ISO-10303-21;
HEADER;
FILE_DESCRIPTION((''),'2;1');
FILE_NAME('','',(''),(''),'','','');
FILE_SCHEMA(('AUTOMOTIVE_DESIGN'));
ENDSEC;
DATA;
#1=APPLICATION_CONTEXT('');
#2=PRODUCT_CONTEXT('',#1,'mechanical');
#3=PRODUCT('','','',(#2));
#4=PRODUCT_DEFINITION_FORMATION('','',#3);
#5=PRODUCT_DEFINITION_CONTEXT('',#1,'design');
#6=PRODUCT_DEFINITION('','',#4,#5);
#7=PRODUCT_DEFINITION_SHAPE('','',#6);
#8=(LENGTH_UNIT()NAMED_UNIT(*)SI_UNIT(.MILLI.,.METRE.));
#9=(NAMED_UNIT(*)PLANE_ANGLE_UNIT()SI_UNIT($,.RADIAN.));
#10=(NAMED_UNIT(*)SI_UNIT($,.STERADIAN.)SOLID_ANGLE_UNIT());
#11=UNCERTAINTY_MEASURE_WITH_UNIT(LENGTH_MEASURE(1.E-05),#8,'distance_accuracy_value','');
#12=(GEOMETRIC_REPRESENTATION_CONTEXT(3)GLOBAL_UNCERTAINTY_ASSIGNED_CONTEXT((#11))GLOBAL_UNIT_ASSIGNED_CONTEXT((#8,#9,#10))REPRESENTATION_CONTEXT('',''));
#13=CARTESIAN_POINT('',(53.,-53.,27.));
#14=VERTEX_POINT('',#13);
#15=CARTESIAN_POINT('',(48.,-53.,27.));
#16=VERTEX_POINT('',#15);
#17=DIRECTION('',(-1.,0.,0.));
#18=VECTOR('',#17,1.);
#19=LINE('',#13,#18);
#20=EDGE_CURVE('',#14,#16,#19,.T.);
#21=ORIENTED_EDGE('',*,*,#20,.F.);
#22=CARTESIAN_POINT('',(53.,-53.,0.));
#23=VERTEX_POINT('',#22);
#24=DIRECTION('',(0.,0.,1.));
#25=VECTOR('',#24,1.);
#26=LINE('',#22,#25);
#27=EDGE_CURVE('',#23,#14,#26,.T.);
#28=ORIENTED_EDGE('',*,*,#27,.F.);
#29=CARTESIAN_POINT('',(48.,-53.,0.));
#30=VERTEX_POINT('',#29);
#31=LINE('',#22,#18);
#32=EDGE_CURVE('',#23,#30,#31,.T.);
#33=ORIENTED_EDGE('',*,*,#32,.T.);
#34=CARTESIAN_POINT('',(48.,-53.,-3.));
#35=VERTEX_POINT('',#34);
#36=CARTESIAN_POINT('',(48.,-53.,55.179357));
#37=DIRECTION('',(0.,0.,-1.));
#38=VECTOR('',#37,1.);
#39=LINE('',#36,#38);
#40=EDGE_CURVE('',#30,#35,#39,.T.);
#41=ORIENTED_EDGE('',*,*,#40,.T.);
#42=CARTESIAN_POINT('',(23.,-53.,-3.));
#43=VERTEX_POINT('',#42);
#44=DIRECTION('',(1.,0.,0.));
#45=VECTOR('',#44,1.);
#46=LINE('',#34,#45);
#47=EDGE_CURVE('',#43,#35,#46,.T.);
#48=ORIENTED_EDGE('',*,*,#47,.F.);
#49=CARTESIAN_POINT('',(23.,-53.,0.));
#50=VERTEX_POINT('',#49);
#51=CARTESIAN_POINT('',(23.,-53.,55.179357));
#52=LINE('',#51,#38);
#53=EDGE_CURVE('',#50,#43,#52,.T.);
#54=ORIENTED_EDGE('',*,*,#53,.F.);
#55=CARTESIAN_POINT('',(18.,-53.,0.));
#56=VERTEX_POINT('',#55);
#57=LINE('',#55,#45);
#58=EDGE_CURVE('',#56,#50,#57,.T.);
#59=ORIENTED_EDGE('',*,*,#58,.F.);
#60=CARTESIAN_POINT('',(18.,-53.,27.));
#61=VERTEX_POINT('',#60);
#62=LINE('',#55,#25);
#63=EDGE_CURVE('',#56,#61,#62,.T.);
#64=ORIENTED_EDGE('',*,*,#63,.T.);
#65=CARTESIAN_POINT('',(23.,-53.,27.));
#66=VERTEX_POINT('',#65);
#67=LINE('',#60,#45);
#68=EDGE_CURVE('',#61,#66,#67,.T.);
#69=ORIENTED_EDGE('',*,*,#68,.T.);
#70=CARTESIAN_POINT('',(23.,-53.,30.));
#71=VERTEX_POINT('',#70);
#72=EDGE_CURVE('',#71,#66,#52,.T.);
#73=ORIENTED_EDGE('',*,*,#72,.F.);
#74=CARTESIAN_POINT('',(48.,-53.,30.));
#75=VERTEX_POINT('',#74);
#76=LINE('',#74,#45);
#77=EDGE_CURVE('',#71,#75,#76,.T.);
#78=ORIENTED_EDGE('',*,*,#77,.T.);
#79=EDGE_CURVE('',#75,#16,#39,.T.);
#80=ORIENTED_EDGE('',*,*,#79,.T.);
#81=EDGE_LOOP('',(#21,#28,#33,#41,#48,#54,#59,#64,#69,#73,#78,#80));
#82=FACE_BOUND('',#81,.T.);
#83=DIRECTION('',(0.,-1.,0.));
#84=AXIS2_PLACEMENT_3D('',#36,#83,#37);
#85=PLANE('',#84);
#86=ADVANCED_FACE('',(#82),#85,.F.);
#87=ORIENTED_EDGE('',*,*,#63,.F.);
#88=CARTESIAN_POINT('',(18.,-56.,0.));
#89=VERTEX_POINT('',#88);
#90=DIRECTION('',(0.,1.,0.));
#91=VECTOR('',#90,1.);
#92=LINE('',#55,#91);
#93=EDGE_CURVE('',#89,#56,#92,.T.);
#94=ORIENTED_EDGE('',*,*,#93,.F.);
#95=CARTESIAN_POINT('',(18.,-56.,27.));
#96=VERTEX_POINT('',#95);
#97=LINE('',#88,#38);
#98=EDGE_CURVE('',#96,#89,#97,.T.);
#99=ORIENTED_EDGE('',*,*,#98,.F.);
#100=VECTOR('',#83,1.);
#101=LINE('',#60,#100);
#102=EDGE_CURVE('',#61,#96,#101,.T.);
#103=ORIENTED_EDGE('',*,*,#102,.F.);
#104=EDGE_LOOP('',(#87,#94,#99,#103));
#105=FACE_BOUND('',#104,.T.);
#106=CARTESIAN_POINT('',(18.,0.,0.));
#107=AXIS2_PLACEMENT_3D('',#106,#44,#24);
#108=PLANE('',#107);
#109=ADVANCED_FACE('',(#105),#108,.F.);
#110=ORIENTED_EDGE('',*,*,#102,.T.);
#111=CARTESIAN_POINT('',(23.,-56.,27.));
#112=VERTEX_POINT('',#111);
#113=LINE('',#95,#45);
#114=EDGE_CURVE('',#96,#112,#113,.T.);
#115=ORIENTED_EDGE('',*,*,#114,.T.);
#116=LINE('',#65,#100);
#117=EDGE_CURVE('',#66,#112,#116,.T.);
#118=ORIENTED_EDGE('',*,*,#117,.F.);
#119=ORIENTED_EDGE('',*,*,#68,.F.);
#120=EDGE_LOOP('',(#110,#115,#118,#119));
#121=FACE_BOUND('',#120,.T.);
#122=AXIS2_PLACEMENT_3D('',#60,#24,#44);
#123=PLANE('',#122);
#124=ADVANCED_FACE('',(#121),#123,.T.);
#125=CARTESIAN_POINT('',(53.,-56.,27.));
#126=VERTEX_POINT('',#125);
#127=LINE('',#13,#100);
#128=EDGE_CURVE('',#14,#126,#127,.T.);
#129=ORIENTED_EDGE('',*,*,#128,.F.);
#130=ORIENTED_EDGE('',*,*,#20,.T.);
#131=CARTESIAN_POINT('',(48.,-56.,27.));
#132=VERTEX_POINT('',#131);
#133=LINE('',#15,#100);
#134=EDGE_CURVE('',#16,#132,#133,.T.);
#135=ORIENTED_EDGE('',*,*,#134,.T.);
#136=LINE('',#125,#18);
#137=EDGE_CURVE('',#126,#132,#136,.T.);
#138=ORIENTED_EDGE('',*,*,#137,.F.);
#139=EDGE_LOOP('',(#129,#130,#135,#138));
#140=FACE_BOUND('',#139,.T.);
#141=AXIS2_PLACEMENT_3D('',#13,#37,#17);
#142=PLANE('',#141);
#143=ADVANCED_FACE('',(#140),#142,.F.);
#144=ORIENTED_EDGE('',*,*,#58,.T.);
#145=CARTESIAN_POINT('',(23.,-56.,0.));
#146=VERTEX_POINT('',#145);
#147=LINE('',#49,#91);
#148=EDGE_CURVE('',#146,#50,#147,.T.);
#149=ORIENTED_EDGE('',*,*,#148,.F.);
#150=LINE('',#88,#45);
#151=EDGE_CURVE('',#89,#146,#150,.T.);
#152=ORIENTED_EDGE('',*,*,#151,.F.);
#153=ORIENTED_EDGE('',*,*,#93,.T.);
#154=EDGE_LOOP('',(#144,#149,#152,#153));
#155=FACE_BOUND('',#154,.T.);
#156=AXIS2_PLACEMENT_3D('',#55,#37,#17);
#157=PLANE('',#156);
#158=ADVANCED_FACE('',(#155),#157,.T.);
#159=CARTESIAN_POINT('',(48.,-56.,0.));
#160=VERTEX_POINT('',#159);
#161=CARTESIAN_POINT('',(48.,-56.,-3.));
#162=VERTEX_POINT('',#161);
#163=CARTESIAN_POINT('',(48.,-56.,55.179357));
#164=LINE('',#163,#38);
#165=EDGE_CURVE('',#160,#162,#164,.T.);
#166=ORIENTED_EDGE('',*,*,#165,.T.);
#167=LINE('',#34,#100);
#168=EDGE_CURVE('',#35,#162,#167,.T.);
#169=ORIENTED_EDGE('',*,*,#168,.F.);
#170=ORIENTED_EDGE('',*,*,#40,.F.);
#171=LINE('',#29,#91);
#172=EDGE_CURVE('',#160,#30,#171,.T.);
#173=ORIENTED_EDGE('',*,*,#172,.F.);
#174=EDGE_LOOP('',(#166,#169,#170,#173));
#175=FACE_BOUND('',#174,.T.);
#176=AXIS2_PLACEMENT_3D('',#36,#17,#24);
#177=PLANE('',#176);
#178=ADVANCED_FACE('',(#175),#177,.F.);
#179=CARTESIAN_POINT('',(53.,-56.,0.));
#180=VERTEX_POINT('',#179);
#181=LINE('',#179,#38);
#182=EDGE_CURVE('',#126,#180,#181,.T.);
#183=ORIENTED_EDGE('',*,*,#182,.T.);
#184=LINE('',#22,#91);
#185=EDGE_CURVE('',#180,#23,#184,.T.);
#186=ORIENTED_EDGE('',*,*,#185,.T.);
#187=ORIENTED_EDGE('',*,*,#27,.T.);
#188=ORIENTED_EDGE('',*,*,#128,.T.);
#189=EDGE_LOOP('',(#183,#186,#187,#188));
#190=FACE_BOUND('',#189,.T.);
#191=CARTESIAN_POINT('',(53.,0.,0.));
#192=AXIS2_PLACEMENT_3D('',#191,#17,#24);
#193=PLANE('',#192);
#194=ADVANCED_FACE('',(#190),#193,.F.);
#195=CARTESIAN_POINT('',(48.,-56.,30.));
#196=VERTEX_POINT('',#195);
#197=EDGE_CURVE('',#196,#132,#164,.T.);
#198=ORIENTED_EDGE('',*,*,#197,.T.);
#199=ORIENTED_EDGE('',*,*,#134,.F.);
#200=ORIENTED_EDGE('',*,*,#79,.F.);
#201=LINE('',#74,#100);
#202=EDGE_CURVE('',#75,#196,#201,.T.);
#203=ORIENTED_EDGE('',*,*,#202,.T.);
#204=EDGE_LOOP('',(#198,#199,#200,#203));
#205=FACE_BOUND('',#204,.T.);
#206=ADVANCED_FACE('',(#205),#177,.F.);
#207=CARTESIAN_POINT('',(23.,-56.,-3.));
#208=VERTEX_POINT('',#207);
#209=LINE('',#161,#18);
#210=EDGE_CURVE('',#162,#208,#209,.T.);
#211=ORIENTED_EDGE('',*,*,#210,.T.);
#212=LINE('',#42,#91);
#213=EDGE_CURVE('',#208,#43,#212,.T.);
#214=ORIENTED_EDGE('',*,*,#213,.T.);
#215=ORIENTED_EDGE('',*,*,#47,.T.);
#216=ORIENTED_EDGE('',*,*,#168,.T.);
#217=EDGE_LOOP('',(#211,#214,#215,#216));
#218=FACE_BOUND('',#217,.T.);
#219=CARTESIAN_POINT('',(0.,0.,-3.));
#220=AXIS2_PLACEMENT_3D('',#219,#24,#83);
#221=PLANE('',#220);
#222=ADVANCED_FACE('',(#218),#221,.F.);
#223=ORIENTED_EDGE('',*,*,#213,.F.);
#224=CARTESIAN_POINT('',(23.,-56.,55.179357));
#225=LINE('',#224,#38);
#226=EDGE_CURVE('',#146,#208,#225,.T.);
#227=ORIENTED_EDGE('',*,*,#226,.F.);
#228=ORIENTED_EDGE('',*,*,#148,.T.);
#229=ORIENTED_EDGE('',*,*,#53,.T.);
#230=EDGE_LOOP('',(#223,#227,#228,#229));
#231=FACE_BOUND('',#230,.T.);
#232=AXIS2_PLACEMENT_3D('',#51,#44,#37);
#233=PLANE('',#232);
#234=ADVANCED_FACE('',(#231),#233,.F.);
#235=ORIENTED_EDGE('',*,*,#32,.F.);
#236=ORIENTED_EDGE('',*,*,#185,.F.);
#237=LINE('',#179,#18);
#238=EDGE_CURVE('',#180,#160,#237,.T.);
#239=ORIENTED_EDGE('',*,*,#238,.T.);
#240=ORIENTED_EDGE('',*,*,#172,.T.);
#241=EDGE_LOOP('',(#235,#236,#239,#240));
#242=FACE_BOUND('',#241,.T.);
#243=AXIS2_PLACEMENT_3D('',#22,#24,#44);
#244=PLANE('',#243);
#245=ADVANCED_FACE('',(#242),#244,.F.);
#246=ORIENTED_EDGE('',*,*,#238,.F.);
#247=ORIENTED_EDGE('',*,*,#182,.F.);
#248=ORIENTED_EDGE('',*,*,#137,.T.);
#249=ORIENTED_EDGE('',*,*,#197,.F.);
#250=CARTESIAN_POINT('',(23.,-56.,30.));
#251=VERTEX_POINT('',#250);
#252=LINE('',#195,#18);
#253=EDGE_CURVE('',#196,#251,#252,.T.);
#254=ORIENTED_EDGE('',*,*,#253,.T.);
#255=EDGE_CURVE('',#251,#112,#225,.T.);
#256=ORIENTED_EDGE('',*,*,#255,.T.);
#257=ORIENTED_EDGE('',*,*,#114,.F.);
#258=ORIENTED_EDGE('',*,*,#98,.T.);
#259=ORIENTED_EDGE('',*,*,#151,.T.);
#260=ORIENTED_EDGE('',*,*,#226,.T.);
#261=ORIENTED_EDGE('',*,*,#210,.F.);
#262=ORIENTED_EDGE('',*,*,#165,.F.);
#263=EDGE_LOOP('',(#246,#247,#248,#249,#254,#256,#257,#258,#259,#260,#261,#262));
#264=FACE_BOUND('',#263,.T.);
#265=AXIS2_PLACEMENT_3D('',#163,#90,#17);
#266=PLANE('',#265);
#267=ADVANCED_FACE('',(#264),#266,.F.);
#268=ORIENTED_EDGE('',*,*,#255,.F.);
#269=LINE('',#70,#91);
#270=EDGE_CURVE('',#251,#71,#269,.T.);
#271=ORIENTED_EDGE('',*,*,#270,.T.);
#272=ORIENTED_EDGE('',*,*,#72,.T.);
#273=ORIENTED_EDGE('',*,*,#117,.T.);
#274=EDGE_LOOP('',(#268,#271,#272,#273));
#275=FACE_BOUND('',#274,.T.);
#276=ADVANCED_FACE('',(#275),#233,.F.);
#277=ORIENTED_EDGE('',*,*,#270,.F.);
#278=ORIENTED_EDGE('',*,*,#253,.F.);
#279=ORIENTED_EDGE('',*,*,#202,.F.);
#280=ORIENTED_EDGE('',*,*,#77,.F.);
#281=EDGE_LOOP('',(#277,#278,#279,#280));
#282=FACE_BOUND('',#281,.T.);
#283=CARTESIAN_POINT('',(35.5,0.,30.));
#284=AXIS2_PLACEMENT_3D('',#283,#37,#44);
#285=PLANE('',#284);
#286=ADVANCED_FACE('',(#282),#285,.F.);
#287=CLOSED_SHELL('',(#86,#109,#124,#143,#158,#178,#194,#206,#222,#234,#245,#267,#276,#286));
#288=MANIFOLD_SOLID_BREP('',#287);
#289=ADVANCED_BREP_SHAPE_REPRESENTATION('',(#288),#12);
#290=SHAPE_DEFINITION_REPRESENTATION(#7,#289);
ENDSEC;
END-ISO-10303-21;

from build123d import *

# Parameters (mm, degrees)
ESTRUSIONE_ESTRUSIONE1_DEPTH      = 30
ESTRUSIONE_ESTRUSIONE1_DEPTH_BACK = 3
SCHIZZO1_W                        = 25
SCHIZZO1_H                        = 3
SCHIZZO2_W                        = 27
SCHIZZO2_H                        = 3
ESTRUSIONE_ESTRUSIONE2_DEPTH      = 5


with BuildPart() as part:
    # Schizzo1 → Estrusione-Estrusione1 (new, two sides: drawn at the far end of the back side and taken through both)
    with BuildSketch(Plane.XY.offset(-ESTRUSIONE_ESTRUSIONE1_DEPTH_BACK)):
        with Locations((35.5, -54.5)):
            Rectangle(SCHIZZO1_W, SCHIZZO1_H)
    extrude(amount=ESTRUSIONE_ESTRUSIONE1_DEPTH + ESTRUSIONE_ESTRUSIONE1_DEPTH_BACK)

    # Schizzo2 → Estrusione-Estrusione2 (add)
    with BuildSketch(Plane(origin=(48, 0, 0), x_dir=(0, 0, -1), z_dir=(1, 0, 0))):
        with Locations((-13.5, -54.5)):
            Rectangle(SCHIZZO2_W, SCHIZZO2_H)
    estrusione_estrusione2 = extrude(amount=ESTRUSIONE_ESTRUSIONE2_DEPTH)

    # Specchia1: Estrusione-Estrusione2 across plane
    add(estrusione_estrusione2.mirror(Plane(origin=(35.5, 0, 0), x_dir=(0, 0, 1), z_dir=(1, 0, 0))))


solid = part.part
